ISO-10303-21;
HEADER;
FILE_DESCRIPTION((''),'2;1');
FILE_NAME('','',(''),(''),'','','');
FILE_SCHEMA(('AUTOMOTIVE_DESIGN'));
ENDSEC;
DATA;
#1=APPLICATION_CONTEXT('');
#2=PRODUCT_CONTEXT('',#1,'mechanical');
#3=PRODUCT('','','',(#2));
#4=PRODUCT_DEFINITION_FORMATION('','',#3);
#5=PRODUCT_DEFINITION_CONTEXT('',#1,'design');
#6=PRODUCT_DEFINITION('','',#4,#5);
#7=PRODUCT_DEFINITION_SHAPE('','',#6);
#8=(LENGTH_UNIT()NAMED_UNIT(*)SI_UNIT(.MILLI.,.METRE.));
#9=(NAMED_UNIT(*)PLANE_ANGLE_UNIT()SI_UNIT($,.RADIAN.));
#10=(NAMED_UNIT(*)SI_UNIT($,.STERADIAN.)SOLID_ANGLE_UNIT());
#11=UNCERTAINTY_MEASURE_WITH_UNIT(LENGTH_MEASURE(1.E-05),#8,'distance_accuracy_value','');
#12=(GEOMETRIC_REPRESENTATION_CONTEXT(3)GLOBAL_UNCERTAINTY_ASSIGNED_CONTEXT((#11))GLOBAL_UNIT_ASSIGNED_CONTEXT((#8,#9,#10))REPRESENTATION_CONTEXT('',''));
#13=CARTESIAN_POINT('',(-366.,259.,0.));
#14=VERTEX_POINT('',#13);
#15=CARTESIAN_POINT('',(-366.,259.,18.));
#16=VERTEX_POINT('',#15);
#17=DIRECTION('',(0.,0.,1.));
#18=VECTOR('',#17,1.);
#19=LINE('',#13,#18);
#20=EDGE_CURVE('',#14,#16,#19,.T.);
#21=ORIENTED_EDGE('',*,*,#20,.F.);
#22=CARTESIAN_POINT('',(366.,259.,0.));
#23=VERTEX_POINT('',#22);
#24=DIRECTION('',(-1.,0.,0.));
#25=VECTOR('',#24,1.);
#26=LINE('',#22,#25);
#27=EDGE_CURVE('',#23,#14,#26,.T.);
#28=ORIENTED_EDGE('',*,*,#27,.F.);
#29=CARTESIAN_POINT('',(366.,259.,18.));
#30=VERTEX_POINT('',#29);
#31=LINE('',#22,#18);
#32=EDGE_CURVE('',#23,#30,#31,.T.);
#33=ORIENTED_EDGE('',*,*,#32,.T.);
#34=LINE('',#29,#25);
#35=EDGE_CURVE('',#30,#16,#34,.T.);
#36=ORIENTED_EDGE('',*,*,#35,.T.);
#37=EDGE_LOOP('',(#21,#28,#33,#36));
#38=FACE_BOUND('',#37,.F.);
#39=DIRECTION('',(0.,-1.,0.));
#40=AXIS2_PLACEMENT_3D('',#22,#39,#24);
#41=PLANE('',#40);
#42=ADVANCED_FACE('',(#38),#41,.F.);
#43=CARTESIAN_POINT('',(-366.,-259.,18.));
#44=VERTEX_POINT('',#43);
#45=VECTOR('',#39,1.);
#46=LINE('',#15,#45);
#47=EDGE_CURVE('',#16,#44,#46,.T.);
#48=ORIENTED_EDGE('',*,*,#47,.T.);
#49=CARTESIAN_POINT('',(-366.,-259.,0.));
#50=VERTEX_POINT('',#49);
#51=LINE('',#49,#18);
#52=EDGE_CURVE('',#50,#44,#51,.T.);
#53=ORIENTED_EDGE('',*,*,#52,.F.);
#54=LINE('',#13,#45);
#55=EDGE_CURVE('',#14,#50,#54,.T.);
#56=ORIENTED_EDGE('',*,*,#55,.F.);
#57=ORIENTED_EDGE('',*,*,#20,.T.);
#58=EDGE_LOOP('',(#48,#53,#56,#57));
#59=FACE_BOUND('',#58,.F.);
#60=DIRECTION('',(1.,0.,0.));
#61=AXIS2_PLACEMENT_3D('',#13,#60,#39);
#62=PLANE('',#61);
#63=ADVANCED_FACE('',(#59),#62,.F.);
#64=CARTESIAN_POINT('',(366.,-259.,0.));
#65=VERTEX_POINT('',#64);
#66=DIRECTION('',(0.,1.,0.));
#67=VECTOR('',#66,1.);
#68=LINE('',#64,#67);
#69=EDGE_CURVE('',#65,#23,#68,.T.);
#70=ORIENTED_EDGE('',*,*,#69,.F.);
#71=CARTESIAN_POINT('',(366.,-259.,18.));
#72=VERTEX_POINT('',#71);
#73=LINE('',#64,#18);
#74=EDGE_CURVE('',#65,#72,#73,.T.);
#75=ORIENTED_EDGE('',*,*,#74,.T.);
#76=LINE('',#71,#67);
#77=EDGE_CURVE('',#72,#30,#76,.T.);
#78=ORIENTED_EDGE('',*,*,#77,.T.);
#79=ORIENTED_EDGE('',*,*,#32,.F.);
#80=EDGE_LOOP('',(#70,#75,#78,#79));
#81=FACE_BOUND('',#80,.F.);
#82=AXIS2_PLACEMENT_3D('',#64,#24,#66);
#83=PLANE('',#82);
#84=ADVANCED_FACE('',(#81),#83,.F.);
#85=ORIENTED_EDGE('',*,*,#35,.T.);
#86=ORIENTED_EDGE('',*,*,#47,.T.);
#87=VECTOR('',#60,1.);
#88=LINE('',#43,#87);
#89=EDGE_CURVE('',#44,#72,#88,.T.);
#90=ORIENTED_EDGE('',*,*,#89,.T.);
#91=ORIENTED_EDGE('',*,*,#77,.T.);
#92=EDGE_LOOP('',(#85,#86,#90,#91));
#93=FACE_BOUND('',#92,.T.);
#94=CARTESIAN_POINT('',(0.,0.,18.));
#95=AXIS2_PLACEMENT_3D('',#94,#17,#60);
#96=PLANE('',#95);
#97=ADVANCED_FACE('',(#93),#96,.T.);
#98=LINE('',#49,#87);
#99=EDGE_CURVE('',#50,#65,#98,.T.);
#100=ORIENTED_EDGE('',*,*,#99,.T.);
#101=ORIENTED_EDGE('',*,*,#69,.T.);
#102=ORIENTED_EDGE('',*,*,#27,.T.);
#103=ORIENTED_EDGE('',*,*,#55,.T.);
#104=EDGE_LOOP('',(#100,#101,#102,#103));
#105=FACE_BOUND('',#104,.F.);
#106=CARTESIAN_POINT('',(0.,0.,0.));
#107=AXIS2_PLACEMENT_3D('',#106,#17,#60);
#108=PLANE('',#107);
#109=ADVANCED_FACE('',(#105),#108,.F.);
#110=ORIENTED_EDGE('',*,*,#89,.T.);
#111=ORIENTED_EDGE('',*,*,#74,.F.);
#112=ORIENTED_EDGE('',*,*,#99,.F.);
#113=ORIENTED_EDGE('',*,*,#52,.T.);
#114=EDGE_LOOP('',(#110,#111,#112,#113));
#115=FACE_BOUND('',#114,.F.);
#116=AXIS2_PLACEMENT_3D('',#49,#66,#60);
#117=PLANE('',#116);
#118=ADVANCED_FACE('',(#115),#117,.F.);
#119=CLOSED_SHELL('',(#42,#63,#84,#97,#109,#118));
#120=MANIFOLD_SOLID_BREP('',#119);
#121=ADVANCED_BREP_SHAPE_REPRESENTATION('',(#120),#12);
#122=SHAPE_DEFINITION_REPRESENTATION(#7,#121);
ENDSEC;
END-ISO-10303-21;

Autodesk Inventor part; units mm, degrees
ref_plane "YZ Plane" through (0, 0, 0) normal (1, 0, 0) x (0, 1, 0)
ref_plane "XZ Plane" through (0, 0, 0) normal (0, 1, 0) x (-1, 0, 0)
ref_plane "XY Plane" through (0, 0, 0) normal (0, 0, 1) x (1, 0, 0)
sketch "Sketch1" plane through (0, 0, 0) normal (0, 0, 1) x (1, 0, 0)
  line L0 (-366, -259) -> (366, -259)
  line L1 (366, -259) -> (366, 259)
  line L2 (366, 259) -> (-366, 259)
  line L3 (-366, 259) -> (-366, -259)
  line L4 (-366, -259) -> (366, 259) construction
  line L5 (366, -259) -> (-366, 259) construction
  point P0 (0, 0)
  dimension "d0" = 732
  dimension "d1" = 518
extrude "Extrusion1" add sketch "Sketch1" along normal blind 18
properties part number "drzwiczki-bok"
